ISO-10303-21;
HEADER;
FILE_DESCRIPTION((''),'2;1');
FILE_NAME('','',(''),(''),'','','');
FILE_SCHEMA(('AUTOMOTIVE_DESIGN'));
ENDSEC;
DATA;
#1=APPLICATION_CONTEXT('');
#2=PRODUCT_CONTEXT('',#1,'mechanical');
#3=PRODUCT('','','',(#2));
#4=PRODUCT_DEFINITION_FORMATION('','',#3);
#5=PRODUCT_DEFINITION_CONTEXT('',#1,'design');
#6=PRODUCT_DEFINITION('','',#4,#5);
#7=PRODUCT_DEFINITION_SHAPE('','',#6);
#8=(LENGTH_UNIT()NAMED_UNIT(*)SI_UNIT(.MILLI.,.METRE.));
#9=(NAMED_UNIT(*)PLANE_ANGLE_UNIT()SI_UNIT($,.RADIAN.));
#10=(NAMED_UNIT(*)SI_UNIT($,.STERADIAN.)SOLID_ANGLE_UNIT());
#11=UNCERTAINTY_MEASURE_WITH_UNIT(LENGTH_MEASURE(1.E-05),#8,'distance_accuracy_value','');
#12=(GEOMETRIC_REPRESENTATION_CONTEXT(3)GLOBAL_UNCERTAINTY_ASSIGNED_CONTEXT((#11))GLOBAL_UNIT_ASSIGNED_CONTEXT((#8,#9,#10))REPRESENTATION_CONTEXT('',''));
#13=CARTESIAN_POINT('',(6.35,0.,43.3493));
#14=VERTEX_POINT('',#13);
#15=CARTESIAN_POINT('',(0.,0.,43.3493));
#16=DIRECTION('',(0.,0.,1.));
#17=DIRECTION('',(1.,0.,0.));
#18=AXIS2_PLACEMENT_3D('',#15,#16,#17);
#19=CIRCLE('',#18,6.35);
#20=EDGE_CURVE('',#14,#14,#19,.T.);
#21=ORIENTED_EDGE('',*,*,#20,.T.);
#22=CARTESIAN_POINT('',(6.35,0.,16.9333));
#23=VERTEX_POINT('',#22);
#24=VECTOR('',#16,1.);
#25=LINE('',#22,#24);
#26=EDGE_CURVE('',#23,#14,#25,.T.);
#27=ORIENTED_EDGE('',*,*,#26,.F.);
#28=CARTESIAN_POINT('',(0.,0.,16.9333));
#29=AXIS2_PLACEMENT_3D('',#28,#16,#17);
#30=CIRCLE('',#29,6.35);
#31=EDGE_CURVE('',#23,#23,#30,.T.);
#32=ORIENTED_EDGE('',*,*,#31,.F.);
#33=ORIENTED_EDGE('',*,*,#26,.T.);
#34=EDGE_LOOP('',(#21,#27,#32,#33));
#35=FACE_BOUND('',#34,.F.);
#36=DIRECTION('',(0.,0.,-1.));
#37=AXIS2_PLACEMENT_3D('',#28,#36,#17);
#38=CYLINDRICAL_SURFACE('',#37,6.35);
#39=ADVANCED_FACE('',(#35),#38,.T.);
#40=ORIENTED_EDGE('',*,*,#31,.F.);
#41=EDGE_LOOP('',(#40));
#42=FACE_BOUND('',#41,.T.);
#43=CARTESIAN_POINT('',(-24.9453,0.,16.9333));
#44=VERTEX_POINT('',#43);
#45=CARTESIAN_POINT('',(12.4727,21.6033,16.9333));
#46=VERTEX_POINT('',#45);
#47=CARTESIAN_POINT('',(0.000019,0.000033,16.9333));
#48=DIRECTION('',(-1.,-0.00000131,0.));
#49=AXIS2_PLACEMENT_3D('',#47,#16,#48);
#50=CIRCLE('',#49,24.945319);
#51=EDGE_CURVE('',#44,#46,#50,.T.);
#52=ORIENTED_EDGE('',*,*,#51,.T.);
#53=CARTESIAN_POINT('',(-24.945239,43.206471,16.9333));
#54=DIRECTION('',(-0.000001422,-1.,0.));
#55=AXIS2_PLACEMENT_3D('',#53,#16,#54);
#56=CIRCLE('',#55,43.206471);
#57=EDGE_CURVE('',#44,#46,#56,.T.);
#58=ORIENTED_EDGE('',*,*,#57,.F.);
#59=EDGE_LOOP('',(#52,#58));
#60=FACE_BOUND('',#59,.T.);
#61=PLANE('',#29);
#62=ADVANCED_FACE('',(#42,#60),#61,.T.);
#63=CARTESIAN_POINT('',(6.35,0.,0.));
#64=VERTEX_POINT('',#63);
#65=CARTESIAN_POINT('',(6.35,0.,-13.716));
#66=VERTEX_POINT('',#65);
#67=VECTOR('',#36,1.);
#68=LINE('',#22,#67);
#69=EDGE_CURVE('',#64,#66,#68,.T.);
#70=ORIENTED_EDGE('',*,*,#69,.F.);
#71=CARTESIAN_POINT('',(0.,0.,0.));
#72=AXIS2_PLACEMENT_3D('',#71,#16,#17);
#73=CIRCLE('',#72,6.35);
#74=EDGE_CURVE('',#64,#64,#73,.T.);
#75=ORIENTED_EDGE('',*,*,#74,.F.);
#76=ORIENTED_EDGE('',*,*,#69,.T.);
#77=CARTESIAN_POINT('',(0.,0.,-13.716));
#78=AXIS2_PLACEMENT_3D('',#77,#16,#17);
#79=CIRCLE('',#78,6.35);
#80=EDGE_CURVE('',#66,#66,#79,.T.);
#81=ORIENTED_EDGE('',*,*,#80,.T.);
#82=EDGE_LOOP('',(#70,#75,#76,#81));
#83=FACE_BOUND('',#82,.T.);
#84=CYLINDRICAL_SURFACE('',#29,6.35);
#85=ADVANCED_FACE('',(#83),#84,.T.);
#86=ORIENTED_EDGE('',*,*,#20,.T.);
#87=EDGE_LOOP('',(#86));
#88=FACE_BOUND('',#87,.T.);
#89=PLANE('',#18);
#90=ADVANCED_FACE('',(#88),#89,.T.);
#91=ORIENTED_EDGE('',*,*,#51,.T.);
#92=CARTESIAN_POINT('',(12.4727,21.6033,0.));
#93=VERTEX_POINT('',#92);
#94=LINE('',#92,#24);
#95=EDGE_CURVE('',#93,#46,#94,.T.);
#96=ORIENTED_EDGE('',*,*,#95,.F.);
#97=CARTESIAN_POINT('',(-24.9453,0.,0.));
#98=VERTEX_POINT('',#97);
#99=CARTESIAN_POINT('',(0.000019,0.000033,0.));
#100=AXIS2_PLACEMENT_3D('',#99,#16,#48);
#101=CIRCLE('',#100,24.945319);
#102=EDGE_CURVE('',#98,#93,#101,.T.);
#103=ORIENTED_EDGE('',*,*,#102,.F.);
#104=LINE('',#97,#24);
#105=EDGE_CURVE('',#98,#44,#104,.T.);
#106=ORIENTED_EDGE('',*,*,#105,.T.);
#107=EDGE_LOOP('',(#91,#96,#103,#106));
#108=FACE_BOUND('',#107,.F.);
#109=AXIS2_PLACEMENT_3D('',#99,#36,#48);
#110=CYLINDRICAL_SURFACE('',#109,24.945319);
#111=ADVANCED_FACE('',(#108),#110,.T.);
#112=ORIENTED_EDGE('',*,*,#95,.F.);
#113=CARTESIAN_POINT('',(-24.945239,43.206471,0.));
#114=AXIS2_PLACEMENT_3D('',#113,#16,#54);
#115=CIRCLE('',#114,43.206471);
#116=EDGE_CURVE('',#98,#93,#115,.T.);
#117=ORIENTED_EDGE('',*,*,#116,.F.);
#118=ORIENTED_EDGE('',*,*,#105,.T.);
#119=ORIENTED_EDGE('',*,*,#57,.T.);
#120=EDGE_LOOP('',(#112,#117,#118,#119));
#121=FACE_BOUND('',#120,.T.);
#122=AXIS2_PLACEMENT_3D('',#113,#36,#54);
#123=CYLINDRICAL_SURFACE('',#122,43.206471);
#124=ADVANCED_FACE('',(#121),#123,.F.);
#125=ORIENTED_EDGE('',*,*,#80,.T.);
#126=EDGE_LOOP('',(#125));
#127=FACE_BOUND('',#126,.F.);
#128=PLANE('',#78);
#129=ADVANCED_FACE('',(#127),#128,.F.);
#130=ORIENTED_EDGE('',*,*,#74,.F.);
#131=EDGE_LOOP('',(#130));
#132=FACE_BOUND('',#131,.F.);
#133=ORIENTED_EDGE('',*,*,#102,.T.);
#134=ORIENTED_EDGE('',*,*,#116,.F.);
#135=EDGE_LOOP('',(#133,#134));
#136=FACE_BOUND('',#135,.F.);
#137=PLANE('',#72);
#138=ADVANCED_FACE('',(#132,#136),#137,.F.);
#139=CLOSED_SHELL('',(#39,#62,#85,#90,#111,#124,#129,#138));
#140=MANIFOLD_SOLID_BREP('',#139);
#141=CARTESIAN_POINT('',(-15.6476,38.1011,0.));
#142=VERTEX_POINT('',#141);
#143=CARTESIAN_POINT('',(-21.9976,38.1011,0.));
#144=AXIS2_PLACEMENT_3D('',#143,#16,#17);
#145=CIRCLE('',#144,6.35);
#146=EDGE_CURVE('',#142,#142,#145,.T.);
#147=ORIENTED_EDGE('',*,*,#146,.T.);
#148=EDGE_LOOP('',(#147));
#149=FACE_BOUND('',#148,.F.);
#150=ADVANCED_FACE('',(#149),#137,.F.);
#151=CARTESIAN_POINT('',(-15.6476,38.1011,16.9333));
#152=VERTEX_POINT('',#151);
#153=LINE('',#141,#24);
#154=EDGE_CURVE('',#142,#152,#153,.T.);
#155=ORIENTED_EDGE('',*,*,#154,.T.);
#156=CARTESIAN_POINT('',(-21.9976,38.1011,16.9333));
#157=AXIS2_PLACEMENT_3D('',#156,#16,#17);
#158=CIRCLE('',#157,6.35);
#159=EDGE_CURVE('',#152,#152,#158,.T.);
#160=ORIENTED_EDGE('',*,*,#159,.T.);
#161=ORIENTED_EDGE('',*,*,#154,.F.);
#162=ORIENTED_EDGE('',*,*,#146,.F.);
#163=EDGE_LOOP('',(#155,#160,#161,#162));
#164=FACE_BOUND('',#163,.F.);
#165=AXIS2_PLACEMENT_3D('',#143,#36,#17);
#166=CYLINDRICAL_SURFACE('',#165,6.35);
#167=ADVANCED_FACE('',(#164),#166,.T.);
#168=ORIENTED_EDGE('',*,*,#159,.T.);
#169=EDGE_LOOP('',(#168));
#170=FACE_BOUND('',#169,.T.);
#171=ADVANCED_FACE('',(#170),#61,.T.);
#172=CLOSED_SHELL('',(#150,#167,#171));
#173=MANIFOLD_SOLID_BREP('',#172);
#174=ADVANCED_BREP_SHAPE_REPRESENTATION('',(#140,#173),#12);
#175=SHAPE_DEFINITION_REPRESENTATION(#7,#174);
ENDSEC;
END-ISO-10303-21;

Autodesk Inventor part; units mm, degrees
ref_plane "YZ Plane" through (0, 0, 0) normal (1, 0, 0) x (0, 1, 0)
ref_plane "XZ Plane" through (0, 0, 0) normal (0, 1, 0) x (-1, 0, 0)
ref_plane "XY Plane" through (0, 0, 0) normal (0, 0, 1) x (1, 0, 0)
sketch "Sketch1" plane through (0, 0, 0) normal (0, 0, 1) x (1, 0, 0)
  line L0 (0, 0) -> (-87.9881, 0) construction
  line L1 (-87.9881, 0) -> (-21.9976, 38.1011) construction
  line L2 (-21.9976, 38.1011) -> (0, 0) construction
  arc A0 (-24.9453, 0) -> (12.4727, 21.6033) centre (0, 0) ccw
  line L3 (-24.9453, 0) -> (-24.9453, 43.2067) construction
  line L4 (-24.9453, 43.2067) -> (-21.9976, 38.1011) construction
  circle A1 centre (-21.9976, 38.1011) radius 6.35
  arc A2 (-24.9453, 0) -> (12.4727, 21.6033) centre (-24.9453, 43.2067) ccw
  dimension "d8" = 87.9881
  dimension "d9" = 43.9953
  dimension "d10" = 76.2
  dimension "d11" = 24.9453
  dimension "d12" = 12.7
extrude "Extrusion1" add sketch "Sketch1" along normal blind 16.9333
sketch "Sketch3" plane through (0, 0, 16.9333) normal (0, 0, 1) x (1, 0, 0)
  arc A0 (-24.9453, 0) -> (12.4727, 21.6033) centre (0, 0) ccw projected
  arc A1 (-24.9453, 0) -> (12.4727, 21.6033) centre (0, 0) ccw
  circle A2 centre (0, 0) radius 6.35
  arc A3 (-24.9453, 0) -> (12.4727, 21.6033) centre (-24.9453, 43.2067) ccw projected
  dimension "d30" = 12.7
extrude "Extrusion3" add sketch "Sketch3" along normal blind 26.416 and the other way blind 30.6493 contours A2
sketch "Sketch4" plane through (0, 0, 43.3493) normal (0, 0, 1) x (1, 0, 0)
  circle A0 centre (0, 0) radius 6.35 projected
  line L0 (0, 6.35) -> (5.4993, -3.175)
  line L1 (5.4993, -3.175) -> (-5.4993, -3.175)
  line L2 (-5.4993, -3.175) -> (0, 6.35)
  point P0 (0, 0)
  point P1 (0, 0)
properties part number "Geneva Drive"
